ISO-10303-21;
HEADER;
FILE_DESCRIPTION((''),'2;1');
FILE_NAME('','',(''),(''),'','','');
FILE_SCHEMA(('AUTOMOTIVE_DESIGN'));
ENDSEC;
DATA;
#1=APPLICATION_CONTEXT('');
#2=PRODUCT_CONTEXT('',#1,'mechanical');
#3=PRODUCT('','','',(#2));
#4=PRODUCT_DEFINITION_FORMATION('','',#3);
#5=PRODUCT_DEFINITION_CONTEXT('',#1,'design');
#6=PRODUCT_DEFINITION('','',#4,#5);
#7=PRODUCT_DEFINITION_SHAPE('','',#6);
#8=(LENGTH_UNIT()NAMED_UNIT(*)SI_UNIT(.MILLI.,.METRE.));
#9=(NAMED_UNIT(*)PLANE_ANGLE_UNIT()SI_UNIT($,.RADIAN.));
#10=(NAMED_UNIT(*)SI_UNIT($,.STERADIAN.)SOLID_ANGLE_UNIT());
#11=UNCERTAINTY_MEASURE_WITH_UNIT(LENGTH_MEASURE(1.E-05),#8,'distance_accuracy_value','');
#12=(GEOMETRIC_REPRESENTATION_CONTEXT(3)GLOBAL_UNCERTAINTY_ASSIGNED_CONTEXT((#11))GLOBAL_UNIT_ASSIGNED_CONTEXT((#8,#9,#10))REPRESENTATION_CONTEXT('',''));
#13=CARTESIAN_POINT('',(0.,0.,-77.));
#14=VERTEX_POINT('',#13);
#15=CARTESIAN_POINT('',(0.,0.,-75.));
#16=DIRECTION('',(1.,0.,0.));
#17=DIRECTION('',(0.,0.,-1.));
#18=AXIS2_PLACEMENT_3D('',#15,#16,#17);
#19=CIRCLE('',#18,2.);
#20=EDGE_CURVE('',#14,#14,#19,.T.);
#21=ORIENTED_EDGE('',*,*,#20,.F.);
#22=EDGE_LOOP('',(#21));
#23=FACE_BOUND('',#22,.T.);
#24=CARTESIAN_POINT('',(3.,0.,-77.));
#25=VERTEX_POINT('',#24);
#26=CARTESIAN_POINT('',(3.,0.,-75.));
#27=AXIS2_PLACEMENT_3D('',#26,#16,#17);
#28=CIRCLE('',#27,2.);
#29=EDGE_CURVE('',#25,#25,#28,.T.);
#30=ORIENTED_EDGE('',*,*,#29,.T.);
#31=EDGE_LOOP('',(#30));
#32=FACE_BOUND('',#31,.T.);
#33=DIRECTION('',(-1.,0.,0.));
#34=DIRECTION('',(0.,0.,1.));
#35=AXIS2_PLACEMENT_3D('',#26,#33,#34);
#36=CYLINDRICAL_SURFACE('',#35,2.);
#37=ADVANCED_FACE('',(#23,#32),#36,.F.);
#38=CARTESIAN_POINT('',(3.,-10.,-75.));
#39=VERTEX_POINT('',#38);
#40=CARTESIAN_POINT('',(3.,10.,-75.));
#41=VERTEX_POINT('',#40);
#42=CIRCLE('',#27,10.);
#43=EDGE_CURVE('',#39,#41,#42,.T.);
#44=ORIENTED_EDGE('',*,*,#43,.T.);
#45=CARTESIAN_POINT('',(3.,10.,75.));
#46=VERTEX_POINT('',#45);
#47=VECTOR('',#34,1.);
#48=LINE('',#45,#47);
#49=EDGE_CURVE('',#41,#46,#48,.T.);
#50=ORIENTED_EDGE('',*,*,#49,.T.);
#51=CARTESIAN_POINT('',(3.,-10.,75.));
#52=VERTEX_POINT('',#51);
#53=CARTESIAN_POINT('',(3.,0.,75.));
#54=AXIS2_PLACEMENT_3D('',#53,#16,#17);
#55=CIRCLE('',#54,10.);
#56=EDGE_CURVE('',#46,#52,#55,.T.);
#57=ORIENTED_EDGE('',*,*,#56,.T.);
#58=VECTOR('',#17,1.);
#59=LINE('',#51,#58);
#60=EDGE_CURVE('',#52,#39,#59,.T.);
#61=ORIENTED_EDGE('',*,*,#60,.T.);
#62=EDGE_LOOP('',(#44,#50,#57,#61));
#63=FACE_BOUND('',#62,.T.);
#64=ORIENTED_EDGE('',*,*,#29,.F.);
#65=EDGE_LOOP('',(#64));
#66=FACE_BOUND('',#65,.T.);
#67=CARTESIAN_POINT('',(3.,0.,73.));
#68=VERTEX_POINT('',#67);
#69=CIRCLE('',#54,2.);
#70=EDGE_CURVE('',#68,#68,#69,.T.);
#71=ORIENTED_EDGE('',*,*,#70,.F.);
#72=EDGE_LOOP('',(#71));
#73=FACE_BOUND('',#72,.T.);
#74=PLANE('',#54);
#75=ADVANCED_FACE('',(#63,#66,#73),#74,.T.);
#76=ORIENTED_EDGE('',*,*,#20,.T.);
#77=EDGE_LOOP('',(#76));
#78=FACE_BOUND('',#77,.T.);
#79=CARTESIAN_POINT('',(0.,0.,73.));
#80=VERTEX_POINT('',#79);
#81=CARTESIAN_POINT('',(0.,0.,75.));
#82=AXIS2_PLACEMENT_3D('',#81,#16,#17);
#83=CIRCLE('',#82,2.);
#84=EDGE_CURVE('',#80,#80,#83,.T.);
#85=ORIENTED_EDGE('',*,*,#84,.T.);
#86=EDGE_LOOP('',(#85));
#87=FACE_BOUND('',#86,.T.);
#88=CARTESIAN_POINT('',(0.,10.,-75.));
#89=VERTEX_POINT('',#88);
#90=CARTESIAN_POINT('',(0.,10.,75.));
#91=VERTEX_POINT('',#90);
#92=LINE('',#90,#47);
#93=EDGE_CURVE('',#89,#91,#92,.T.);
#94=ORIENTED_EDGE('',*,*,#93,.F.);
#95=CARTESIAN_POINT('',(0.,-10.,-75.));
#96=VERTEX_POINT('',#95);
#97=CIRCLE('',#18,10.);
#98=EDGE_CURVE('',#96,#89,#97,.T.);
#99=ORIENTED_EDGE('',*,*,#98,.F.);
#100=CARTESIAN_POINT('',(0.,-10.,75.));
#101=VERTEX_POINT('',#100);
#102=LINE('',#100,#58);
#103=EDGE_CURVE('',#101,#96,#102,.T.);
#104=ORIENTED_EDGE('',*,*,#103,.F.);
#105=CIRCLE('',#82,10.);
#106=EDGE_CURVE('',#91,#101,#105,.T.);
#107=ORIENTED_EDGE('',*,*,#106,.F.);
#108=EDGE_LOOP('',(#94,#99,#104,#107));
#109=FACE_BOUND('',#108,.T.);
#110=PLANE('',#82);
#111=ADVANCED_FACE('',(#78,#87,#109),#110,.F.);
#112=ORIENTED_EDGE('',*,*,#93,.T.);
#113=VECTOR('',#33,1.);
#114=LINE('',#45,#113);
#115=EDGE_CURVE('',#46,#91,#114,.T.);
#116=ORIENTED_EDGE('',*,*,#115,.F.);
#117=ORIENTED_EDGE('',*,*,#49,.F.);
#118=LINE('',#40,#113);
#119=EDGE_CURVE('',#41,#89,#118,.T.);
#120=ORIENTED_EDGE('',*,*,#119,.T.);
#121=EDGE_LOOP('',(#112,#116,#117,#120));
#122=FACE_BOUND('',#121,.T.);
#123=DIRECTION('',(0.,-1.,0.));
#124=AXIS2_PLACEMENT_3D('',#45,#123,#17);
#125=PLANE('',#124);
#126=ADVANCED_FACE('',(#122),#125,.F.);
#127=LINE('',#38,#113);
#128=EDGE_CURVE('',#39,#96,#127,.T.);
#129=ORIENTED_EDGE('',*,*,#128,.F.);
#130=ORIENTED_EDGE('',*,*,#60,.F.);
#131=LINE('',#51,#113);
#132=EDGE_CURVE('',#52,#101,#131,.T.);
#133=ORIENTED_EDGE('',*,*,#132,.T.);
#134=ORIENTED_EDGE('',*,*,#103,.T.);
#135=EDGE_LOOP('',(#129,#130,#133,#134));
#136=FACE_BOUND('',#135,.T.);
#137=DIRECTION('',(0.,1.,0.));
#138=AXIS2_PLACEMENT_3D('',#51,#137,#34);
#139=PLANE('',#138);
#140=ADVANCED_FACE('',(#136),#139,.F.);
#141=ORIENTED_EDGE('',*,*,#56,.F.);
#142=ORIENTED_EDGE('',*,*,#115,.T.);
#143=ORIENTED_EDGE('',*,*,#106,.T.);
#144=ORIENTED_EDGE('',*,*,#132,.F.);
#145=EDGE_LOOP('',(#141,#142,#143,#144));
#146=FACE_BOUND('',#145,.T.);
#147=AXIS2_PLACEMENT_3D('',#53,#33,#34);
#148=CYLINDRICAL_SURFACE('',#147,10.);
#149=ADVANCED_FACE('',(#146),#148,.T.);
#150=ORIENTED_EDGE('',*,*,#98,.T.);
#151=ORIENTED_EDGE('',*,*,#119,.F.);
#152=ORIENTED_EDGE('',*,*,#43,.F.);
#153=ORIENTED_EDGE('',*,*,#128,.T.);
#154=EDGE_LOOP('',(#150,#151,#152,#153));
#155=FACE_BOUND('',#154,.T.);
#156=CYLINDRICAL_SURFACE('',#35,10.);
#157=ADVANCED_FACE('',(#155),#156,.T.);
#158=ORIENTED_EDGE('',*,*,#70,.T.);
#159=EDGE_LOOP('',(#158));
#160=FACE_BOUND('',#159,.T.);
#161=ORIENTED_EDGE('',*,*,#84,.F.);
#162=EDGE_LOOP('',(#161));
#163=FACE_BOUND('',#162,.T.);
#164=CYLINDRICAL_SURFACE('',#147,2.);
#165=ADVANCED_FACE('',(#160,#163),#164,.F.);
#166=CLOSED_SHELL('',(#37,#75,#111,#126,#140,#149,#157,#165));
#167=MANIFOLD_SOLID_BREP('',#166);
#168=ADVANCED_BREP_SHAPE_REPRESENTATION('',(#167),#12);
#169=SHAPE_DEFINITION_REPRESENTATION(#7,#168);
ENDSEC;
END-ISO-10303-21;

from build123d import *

# Parameters (mm, degrees)
SKETCH1_R           = 2
BOSS_EXTRUDE1_DEPTH = 3


with BuildPart() as part:
    # Sketch1 → Boss-Extrude1 (new body)
    with BuildSketch(Plane(origin=(0, 0, 0), x_dir=(0, 0, -1), z_dir=(1, 0, 0))):
        with BuildLine():
            Line((-75, 10), (75, 10))
            ThreePointArc((75, 10), (85, 0), (75, -10))
            Line((75, -10), (-75, -10))
            ThreePointArc((-75, -10), (-85, 0), (-75, 10))
        make_face()
        with Locations((-75, 0)):
            Circle(SKETCH1_R, mode=Mode.SUBTRACT)
        with Locations((75, 0)):
            Circle(SKETCH1_R, mode=Mode.SUBTRACT)
    extrude(amount=BOSS_EXTRUDE1_DEPTH)


solid = part.part
